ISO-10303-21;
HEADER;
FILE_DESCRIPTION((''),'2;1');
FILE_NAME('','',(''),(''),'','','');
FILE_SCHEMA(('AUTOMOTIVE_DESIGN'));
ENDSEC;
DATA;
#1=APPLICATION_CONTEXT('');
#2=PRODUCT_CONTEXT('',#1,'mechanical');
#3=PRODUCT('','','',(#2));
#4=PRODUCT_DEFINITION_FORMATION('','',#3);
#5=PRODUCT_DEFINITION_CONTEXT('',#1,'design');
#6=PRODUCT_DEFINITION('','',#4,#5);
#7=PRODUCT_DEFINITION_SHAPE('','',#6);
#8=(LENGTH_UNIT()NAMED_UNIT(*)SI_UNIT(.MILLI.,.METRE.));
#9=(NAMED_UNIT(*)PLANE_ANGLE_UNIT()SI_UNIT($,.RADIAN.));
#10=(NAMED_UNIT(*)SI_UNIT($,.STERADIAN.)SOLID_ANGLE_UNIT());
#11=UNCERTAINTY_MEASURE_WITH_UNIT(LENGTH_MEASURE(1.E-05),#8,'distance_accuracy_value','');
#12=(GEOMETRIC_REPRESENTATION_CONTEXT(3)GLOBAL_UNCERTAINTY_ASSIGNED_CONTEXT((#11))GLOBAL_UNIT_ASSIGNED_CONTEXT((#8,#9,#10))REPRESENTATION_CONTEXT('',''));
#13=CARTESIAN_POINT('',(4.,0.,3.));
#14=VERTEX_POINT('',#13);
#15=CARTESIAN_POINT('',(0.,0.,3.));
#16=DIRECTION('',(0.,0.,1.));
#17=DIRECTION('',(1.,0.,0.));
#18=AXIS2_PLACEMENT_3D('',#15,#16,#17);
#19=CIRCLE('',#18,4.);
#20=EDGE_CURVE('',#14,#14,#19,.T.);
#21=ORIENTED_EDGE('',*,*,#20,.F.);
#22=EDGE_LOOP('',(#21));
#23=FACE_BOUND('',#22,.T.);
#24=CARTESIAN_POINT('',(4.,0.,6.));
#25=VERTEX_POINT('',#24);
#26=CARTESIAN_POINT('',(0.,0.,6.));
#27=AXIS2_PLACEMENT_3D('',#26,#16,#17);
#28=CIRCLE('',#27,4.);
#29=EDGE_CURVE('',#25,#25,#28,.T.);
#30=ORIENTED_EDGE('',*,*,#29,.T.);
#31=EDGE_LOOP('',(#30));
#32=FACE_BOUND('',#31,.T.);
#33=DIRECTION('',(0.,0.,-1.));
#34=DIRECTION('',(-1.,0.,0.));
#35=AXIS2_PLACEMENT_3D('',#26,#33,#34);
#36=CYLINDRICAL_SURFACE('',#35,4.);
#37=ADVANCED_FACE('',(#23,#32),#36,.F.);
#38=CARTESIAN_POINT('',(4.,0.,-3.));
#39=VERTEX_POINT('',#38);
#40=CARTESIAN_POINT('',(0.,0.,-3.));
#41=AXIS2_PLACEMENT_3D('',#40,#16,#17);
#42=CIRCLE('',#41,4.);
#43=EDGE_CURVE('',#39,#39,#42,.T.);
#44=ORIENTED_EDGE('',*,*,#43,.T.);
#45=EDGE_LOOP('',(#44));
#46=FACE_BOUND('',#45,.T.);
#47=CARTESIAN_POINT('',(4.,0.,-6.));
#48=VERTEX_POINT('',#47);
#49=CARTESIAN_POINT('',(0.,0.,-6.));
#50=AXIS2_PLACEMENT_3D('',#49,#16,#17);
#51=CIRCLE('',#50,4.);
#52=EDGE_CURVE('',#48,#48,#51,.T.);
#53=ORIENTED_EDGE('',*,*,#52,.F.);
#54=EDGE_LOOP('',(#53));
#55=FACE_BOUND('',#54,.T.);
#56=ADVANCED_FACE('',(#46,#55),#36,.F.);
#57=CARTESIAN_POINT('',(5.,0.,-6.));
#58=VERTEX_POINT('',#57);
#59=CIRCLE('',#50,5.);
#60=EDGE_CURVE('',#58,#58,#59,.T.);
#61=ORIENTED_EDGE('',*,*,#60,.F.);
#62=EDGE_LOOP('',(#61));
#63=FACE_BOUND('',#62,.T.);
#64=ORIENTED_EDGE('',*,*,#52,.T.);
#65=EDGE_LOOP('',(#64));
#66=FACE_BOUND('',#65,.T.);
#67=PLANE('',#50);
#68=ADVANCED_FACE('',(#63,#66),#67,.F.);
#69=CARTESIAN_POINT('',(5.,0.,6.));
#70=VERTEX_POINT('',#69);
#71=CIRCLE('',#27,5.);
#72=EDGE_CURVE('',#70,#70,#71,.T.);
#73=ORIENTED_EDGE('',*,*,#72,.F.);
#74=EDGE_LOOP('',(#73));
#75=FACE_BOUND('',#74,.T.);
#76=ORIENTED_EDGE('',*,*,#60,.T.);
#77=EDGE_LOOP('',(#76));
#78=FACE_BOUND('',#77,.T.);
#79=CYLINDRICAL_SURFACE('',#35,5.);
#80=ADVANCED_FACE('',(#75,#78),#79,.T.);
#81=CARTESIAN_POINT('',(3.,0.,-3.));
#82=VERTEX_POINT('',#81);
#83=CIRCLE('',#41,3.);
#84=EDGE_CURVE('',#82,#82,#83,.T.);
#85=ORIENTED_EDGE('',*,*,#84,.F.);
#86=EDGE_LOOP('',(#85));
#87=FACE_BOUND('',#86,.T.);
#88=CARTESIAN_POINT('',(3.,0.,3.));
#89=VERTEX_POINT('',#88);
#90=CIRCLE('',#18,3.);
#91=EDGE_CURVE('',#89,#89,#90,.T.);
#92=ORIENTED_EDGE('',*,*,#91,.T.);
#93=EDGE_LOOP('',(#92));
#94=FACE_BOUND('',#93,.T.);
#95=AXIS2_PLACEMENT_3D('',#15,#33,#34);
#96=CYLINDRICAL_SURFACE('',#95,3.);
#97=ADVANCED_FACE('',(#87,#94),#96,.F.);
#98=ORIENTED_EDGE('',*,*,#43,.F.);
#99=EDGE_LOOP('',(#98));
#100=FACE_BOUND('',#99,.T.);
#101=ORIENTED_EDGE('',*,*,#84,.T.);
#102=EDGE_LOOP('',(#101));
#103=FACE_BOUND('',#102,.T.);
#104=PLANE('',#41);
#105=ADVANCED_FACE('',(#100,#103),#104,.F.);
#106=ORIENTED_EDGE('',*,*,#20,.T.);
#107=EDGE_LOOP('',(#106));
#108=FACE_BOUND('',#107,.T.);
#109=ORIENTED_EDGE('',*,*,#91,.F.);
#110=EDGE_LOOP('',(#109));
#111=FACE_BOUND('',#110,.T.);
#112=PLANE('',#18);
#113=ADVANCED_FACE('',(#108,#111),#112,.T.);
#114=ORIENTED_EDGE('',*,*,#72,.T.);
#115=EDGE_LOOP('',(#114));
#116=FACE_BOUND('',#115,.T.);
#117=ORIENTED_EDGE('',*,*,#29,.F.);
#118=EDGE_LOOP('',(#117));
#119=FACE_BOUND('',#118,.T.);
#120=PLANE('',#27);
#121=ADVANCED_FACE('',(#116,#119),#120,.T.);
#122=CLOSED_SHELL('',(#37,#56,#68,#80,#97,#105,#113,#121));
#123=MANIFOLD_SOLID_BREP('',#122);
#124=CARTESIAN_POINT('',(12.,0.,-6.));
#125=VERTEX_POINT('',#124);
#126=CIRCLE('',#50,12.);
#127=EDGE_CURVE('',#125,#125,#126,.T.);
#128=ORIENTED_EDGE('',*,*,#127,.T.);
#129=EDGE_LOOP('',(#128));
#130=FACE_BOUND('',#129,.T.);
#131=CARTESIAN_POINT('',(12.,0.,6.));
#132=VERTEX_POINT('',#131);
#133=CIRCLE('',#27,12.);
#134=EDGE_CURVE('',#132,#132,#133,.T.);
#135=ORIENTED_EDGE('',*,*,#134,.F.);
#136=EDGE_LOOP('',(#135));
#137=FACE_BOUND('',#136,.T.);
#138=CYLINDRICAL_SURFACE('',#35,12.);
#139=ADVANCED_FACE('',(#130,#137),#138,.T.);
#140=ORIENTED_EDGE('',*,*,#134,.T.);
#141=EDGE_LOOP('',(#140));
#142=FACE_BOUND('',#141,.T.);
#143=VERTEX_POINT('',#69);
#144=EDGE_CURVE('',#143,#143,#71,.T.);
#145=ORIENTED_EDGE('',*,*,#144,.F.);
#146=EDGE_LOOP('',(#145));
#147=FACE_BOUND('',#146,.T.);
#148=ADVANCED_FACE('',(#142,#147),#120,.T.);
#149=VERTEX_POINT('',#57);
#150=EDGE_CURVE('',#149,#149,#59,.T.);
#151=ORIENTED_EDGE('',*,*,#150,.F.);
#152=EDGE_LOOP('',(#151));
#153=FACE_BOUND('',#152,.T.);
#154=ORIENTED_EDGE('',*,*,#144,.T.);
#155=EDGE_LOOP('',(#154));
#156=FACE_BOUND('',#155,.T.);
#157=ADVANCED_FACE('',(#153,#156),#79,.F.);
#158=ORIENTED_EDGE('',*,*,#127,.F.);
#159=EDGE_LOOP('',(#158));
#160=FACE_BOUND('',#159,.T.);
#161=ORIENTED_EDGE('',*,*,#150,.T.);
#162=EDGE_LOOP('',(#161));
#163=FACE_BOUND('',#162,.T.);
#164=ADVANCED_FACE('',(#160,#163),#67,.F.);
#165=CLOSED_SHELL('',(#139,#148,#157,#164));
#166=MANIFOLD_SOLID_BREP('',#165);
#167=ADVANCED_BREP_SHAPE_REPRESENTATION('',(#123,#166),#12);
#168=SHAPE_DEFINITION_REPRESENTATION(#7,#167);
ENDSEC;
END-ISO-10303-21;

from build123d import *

# Parameters (mm, degrees)
SKETCH_1_R      = 12
SKETCH_1_R_2    = 5
EXTRUDE_1_DEPTH = 6
SKETCH_1_3_R    = 5
SKETCH_1_3_R_2  = 4
EXTRUDE_2_DEPTH = 6
SKETCH_1_4_R    = 4
SKETCH_1_4_R_2  = 3
EXTRUDE_3_DEPTH = 3


with BuildPart() as part:
    # 草图1 → 凸台-拉伸1 (new, symmetric)
    with BuildSketch(Plane.XY):
        Circle(SKETCH_1_R)
        Circle(SKETCH_1_R_2, mode=Mode.SUBTRACT)
    extrude(amount=EXTRUDE_1_DEPTH, both=True)


with BuildPart() as body_2:
    # 草图1<3> → 凸台-拉伸2 (new, symmetric)
    with BuildSketch(Plane.XY):
        Circle(SKETCH_1_3_R)
        Circle(SKETCH_1_3_R_2, mode=Mode.SUBTRACT)
    extrude(amount=EXTRUDE_2_DEPTH, both=True)

    # 草图1<4> → 凸台-拉伸3 (add, symmetric)
    with BuildSketch(Plane.XY):
        Circle(SKETCH_1_4_R)
        Circle(SKETCH_1_4_R_2, mode=Mode.SUBTRACT)
    extrude(amount=EXTRUDE_3_DEPTH, both=True)


solid = Compound([part.part, body_2.part])
